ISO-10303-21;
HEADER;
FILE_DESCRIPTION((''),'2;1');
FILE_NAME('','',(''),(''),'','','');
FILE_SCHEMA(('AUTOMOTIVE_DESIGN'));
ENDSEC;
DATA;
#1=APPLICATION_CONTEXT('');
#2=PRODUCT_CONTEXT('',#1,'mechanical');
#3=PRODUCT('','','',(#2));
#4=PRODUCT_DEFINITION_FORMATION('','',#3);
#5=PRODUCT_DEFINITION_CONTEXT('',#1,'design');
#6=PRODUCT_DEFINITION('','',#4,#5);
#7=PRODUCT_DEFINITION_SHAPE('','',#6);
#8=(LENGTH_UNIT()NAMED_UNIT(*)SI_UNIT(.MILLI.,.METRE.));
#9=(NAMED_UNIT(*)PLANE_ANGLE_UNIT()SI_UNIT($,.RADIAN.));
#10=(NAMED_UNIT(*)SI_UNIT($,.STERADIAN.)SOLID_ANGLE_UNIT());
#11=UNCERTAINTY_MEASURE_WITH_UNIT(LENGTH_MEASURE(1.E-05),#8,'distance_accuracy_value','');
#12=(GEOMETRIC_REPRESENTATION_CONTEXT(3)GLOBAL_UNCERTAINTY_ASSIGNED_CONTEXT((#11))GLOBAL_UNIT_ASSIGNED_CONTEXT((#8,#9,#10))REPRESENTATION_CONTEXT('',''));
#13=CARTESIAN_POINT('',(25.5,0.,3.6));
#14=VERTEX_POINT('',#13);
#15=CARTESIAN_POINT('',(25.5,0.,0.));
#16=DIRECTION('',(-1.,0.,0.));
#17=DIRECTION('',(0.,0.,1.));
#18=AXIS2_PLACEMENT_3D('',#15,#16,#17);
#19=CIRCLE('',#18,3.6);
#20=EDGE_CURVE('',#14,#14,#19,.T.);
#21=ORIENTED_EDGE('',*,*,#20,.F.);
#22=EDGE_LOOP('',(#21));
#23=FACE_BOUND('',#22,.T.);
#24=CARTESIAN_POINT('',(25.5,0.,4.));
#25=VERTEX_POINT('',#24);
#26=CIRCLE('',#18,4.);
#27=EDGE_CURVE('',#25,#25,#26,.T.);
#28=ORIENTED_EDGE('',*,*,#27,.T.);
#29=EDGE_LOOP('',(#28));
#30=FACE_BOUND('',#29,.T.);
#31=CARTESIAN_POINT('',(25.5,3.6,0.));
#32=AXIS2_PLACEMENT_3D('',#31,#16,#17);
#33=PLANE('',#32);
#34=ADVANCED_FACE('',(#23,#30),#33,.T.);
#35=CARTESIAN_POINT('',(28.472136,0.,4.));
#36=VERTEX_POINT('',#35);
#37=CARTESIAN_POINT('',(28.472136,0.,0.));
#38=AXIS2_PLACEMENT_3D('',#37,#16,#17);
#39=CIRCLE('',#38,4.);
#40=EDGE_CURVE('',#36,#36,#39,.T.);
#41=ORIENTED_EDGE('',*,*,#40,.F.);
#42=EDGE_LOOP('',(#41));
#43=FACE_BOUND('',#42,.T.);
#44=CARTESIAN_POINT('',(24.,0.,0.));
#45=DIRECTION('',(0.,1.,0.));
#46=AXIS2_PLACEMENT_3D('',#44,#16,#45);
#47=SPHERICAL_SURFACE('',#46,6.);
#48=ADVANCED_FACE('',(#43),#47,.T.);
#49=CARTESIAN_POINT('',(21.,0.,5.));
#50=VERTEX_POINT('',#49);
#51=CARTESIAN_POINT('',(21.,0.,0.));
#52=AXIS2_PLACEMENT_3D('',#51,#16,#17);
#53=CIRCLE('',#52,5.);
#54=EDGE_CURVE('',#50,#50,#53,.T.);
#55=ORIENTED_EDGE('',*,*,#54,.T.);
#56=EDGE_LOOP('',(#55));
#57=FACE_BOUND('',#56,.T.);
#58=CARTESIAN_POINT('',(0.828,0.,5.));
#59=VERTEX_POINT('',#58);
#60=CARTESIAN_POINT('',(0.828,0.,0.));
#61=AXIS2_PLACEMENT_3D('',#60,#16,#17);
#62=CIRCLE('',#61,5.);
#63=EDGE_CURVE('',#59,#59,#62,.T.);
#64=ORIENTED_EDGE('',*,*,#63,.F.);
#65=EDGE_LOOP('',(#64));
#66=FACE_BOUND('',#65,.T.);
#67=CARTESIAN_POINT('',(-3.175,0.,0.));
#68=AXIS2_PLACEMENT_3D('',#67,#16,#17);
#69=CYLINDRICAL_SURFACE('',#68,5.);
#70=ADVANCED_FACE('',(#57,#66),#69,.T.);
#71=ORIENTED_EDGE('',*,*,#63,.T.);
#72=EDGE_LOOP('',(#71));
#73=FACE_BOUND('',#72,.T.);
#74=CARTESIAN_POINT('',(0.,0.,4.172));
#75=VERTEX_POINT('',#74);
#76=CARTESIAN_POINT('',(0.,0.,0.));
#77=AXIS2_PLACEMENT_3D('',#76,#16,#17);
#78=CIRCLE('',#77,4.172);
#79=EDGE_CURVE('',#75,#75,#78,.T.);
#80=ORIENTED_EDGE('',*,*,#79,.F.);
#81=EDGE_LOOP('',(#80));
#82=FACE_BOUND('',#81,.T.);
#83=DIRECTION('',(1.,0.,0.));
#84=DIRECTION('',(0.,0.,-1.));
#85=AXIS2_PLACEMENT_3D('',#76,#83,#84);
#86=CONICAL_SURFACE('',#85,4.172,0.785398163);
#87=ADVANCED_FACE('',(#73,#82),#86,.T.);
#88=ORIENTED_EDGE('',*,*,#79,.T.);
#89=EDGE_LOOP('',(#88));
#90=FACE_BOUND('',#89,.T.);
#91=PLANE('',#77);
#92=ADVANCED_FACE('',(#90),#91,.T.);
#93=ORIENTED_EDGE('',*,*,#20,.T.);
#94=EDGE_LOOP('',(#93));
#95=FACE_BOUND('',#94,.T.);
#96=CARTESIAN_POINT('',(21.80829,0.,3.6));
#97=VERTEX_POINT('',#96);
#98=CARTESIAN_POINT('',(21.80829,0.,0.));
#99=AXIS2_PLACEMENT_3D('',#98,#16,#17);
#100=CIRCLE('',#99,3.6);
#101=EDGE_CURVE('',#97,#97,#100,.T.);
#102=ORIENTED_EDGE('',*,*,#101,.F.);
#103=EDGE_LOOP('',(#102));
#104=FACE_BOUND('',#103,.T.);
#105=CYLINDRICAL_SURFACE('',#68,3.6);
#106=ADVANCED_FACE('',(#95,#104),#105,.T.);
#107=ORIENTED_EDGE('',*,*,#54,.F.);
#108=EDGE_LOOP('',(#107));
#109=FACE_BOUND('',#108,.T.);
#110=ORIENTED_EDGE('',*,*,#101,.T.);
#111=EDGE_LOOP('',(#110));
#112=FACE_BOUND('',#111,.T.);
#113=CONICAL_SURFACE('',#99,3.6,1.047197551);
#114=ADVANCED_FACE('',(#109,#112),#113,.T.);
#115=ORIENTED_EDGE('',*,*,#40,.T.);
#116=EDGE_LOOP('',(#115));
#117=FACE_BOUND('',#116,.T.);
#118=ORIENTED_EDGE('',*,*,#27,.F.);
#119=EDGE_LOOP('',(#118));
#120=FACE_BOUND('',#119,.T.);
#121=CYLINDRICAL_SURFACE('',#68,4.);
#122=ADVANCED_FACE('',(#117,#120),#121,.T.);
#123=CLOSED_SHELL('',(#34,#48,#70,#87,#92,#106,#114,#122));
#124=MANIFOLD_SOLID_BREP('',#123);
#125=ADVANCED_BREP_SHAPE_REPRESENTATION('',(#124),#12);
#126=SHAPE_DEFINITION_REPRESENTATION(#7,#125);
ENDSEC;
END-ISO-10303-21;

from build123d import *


with BuildPart() as part:
    # BodySke → BaseBody (revolve)
    with BuildSketch(Plane.XY, mode=Mode.PRIVATE) as basebody_sk:
        with BuildLine():
            Line((21.808290377, 3.6), (25.5, 3.6))
            Line((25.5, 3.6), (25.5, 4))
            Line((25.5, 4), (28.472135955, 4))
            ThreePointArc((28.472135955, 4), (29.605034154, 2.140932539), (30, 0))
            Line((30, 0), (0, 0))
            Line((0, 0), (0, 4.172))
            Line((0, 4.172), (0.828, 5))
            Line((0.828, 5), (21, 5))
            Line((21, 5), (21.808290377, 3.6))
        make_face()
    revolve(basebody_sk.sketch.rotate(Axis((-3.175, 0, 0), (1, 0, 0)), 90), axis=Axis((-3.175, 0, 0), (1, 0, 0)))


solid = part.part
